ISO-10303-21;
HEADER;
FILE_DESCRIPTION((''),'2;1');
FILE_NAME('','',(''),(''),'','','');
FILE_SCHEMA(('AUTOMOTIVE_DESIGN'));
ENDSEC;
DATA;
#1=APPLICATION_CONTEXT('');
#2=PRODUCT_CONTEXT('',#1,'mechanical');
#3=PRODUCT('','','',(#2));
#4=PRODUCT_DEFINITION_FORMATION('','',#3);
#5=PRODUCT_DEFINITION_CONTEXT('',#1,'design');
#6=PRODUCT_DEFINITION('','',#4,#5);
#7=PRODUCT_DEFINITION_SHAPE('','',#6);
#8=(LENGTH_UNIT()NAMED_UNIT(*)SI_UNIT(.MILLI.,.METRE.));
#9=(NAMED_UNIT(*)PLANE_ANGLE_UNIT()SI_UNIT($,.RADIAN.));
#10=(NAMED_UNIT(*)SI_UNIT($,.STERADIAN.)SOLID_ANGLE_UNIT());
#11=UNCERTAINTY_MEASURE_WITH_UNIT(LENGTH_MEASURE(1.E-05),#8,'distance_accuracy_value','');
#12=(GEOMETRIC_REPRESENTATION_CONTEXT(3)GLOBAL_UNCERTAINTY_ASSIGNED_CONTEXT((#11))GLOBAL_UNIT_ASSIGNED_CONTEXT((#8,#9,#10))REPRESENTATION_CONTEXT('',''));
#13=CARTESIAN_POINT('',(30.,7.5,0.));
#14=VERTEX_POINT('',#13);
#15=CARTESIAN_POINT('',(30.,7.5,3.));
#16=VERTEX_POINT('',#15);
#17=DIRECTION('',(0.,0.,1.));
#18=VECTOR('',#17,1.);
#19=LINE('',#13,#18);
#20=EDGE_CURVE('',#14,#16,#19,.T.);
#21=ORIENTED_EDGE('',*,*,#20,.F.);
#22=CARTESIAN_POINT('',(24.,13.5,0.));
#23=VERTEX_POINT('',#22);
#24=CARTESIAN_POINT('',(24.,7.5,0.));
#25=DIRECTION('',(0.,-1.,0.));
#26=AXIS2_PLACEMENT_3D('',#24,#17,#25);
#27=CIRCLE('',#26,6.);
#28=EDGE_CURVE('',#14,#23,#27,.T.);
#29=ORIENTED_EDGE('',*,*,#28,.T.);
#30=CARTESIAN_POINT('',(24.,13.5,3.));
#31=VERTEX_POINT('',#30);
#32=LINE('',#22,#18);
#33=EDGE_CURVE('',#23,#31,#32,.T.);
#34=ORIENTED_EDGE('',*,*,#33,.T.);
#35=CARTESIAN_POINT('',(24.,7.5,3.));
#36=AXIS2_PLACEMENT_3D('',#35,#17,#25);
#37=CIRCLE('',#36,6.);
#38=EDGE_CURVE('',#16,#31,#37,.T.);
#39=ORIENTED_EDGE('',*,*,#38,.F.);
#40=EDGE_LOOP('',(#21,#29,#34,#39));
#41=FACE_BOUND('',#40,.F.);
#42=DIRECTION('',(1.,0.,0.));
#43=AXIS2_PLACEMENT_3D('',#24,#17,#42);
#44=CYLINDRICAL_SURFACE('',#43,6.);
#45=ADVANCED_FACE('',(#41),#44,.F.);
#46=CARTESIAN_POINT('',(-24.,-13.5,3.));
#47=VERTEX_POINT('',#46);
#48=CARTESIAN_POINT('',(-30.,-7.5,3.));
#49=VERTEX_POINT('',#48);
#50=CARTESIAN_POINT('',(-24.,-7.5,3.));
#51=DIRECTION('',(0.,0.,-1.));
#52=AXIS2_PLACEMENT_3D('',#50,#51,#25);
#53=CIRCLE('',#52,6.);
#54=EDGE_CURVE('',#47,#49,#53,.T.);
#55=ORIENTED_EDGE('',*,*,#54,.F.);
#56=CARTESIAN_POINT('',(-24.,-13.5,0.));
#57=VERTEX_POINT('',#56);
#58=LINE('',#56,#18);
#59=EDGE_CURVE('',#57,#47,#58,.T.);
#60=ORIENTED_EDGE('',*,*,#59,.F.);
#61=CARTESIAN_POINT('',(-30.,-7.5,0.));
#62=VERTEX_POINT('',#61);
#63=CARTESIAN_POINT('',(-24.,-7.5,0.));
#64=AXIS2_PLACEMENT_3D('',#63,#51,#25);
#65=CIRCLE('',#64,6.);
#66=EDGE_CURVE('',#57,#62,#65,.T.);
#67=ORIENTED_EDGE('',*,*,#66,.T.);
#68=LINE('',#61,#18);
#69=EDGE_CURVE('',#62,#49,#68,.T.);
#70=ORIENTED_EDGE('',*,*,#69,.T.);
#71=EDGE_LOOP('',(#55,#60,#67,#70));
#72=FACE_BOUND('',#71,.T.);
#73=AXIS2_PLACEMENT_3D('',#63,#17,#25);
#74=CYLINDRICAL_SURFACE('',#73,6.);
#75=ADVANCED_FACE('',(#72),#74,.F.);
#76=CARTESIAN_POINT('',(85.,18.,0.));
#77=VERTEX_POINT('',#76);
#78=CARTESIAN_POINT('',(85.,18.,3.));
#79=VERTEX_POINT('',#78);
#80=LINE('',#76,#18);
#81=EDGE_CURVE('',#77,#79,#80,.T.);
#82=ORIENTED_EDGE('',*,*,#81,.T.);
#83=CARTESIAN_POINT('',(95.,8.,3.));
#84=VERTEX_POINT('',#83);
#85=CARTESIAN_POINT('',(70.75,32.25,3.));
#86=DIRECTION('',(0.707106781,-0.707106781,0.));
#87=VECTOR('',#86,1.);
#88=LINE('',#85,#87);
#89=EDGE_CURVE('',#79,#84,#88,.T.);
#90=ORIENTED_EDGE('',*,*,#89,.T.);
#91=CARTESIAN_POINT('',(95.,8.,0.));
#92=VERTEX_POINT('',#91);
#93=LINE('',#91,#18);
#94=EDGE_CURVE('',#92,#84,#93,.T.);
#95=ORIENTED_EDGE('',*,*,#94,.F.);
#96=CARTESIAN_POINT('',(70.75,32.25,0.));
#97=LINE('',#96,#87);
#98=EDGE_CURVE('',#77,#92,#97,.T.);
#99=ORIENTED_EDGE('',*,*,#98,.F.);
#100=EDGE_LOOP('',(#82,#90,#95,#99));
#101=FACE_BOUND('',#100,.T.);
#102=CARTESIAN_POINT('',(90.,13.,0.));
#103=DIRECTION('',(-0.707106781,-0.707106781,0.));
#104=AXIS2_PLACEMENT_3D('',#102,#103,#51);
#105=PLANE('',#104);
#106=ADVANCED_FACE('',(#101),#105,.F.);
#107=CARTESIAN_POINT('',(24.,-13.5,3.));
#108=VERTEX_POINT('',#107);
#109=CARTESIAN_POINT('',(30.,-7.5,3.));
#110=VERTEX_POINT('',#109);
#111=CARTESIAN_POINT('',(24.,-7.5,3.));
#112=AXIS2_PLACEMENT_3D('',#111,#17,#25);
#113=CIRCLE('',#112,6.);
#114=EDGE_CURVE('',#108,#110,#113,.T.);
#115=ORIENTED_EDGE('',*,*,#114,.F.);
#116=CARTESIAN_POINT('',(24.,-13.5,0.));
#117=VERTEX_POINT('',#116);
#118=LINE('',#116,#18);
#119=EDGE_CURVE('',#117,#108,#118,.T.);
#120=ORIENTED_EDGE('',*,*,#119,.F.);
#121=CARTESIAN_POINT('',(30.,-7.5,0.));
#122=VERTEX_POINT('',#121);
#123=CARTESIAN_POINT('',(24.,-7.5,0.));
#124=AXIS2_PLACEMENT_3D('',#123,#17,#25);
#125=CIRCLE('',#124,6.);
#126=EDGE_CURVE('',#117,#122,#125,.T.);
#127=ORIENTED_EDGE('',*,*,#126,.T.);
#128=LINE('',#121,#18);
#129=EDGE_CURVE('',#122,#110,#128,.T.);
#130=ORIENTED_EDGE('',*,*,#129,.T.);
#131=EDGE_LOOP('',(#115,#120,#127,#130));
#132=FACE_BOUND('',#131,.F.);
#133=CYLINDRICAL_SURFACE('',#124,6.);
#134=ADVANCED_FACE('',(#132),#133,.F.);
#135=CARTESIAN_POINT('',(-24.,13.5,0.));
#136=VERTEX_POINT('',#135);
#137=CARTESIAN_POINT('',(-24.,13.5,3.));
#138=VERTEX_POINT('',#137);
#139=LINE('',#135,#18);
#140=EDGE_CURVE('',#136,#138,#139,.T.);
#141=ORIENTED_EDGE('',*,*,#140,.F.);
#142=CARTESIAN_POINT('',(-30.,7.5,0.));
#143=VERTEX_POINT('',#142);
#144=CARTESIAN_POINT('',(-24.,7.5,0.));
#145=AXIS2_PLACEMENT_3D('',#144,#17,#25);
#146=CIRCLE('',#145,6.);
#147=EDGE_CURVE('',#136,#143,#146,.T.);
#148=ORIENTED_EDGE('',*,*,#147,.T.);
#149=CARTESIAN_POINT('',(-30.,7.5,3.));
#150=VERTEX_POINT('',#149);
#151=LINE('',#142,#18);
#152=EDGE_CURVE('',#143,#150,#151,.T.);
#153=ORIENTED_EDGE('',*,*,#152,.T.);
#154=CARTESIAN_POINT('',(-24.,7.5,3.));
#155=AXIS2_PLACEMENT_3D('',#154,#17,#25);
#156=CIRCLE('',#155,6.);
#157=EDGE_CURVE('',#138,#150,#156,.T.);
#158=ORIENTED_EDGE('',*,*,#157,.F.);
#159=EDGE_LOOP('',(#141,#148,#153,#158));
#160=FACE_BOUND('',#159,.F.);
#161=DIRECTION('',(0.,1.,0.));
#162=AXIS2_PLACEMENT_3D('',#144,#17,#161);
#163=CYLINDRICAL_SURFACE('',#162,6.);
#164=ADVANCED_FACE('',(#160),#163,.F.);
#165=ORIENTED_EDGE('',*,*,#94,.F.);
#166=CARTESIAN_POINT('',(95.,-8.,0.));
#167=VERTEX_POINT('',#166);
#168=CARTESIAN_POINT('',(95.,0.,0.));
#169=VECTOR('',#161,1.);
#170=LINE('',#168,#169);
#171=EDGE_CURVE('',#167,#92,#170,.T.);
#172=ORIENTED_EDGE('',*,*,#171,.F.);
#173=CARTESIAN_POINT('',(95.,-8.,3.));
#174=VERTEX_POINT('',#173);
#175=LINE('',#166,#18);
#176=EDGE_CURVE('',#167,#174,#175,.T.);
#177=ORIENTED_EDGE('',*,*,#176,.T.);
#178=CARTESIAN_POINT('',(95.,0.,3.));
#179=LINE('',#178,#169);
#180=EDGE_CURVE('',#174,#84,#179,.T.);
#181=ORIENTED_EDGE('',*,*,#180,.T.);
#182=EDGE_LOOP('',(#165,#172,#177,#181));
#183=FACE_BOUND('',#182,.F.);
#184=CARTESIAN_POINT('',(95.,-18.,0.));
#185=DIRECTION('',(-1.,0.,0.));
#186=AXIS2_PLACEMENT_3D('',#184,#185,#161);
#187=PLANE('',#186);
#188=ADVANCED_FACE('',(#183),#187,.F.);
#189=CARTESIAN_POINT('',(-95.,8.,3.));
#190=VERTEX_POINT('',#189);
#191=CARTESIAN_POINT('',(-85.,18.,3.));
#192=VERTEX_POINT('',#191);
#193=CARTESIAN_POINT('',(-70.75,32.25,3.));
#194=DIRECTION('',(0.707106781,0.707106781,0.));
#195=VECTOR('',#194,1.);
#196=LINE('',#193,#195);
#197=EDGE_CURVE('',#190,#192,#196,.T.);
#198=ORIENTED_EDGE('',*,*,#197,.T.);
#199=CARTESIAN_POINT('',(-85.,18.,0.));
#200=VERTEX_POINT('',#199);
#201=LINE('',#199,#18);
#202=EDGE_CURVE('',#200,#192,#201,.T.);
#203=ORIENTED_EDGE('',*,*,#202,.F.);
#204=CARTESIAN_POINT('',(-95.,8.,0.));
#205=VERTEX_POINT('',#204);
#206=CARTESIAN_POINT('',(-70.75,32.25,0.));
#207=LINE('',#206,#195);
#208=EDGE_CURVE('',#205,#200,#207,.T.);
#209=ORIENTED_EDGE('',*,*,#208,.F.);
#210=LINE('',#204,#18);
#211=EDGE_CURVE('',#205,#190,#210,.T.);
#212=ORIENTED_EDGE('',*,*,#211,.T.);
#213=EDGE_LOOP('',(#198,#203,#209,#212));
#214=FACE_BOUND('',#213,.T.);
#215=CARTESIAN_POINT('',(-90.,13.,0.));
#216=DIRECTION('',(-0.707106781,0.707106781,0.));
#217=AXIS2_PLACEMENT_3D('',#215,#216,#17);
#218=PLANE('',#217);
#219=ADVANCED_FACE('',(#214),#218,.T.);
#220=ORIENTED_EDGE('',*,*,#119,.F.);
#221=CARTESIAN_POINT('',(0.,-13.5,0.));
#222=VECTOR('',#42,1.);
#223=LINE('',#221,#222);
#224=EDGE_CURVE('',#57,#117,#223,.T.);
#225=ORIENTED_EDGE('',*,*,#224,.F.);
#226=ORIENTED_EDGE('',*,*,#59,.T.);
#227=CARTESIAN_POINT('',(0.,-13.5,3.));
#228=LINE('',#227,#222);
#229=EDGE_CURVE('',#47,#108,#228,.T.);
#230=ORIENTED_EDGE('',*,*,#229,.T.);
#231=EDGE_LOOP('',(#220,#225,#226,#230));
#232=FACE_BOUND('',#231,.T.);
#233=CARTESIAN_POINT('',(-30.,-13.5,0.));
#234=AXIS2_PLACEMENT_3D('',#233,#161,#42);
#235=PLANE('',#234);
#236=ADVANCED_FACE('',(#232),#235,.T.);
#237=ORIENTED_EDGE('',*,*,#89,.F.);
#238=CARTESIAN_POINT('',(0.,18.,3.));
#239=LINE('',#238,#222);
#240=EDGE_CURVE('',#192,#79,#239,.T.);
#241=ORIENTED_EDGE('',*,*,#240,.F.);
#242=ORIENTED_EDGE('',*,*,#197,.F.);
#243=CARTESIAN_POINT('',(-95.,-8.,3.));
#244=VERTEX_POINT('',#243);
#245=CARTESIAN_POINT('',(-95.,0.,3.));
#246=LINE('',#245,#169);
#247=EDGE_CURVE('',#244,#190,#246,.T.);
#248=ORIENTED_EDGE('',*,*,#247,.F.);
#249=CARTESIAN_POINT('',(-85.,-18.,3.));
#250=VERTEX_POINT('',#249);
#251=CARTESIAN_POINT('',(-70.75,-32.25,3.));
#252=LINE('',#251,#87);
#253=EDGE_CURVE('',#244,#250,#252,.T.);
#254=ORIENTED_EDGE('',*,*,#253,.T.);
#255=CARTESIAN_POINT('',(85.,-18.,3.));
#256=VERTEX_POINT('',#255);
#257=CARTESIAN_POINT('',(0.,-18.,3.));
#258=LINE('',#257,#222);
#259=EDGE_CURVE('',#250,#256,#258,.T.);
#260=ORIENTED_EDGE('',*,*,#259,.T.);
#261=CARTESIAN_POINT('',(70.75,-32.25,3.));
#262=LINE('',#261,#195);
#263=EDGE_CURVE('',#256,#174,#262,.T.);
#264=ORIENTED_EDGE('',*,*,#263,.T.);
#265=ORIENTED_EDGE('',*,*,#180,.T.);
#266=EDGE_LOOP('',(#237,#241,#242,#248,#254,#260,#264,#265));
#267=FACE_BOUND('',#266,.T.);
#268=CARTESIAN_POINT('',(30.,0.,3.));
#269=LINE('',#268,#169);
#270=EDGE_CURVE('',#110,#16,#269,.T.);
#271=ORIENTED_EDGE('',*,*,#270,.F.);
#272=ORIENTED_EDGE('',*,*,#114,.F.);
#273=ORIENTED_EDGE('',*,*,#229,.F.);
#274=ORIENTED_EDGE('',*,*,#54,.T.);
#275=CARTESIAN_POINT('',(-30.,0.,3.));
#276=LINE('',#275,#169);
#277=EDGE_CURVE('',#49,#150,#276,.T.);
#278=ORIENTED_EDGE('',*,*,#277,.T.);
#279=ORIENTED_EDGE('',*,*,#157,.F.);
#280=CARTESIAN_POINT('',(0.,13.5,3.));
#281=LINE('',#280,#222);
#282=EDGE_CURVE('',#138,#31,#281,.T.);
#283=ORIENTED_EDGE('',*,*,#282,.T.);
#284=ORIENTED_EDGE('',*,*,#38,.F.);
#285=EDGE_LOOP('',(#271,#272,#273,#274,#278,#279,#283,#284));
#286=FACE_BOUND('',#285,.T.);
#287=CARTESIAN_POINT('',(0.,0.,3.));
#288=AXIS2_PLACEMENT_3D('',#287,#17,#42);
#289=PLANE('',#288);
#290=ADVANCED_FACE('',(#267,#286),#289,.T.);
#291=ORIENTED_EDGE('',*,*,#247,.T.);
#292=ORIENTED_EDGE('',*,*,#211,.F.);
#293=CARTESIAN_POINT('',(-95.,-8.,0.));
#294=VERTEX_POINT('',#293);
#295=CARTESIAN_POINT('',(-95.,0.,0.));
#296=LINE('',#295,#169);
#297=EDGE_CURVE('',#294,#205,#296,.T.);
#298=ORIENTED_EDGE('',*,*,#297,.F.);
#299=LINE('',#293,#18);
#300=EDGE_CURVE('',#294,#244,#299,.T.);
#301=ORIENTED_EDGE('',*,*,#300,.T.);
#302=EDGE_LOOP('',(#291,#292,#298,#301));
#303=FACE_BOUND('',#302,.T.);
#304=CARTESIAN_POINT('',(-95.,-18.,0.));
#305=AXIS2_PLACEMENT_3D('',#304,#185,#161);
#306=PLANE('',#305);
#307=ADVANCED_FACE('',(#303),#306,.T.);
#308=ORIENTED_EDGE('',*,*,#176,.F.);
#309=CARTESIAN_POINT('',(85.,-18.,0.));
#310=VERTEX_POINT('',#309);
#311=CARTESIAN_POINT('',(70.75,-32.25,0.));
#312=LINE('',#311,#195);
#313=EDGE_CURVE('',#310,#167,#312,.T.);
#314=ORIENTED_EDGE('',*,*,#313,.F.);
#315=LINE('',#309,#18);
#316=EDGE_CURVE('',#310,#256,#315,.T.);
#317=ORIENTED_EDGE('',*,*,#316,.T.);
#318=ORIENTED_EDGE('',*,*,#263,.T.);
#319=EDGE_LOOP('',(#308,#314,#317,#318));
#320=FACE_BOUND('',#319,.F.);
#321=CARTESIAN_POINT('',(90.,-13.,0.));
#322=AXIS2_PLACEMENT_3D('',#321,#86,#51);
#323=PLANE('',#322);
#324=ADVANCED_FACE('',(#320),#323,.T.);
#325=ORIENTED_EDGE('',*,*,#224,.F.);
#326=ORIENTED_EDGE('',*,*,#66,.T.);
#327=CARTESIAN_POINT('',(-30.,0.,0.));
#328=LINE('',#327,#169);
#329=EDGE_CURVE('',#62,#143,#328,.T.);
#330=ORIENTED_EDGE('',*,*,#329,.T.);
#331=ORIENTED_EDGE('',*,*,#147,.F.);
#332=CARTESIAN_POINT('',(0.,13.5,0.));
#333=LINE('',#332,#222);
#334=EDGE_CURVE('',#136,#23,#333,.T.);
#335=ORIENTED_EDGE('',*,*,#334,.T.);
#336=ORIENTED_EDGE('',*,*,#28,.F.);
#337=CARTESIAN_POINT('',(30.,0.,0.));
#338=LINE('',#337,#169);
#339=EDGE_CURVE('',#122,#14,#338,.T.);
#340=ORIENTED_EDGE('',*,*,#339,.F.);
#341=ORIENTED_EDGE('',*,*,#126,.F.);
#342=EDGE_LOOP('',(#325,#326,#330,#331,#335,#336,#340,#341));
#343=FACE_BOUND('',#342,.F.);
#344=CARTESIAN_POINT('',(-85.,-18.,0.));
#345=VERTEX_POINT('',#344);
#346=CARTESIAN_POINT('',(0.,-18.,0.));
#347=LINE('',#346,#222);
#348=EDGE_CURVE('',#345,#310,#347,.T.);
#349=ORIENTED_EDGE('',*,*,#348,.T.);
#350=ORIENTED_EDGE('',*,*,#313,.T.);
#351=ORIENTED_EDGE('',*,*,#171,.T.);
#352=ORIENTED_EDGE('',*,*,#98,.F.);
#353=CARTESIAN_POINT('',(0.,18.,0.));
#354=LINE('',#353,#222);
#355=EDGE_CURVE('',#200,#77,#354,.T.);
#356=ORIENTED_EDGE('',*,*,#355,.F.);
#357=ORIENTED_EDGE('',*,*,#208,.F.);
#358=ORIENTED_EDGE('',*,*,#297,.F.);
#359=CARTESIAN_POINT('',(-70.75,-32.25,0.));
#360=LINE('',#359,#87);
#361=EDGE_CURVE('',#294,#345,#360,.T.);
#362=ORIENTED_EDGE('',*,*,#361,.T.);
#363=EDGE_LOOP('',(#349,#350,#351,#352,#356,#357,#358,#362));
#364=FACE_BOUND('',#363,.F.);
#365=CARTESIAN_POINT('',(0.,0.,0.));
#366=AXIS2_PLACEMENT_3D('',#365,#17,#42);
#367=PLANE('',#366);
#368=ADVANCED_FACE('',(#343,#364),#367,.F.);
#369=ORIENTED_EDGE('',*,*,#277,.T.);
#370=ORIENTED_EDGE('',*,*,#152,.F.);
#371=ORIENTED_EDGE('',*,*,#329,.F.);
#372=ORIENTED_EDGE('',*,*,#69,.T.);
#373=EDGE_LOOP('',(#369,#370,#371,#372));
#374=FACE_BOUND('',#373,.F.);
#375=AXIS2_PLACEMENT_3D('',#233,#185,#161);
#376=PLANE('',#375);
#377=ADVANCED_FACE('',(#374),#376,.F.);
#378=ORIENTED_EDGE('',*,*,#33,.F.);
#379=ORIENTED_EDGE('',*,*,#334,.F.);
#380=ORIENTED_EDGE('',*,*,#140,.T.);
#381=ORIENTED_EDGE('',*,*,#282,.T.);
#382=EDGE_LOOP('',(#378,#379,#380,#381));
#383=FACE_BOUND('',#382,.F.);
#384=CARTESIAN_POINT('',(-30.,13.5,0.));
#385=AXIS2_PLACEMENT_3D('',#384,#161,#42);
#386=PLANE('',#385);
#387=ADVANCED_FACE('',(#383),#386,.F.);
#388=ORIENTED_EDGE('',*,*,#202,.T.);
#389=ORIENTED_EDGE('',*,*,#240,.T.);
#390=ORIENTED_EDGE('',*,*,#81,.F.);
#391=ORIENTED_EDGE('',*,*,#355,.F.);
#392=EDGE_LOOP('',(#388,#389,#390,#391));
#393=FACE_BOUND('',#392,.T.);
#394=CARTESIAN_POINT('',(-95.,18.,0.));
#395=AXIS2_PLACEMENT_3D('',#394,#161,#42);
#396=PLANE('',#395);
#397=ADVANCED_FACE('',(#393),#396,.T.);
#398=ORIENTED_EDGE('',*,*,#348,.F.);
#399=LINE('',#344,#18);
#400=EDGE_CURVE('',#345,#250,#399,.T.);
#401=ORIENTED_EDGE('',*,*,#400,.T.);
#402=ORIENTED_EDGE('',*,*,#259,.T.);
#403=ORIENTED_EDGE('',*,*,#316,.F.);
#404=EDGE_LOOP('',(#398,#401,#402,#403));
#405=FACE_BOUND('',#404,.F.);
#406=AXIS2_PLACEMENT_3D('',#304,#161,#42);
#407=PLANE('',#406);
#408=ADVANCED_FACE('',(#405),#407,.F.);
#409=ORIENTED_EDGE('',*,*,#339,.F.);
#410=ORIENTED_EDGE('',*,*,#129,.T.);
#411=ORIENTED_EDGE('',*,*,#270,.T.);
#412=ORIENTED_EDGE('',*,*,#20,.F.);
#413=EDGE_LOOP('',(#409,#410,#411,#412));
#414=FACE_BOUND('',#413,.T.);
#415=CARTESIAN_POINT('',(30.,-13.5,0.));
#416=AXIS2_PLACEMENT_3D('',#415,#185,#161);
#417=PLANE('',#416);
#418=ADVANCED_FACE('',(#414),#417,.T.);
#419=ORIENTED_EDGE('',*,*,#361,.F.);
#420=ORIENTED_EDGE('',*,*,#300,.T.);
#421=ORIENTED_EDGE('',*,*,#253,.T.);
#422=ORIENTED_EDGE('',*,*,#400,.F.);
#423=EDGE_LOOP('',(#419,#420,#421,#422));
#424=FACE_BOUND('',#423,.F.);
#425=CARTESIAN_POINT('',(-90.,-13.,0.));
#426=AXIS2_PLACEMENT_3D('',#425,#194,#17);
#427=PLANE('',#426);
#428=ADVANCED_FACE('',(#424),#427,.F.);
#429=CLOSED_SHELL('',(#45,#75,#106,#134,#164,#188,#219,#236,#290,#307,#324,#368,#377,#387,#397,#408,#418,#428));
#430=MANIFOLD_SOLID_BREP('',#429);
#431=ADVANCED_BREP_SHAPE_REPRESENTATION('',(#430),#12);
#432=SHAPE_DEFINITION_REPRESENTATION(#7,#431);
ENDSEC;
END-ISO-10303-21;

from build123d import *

# Parameters (mm, degrees)
SKETCH_W     = 190
SKETCH_H     = 36
SKETCH_W_2   = 60
SKETCH_H_2   = 27
PAD_DEPTH    = 3
CHAMFER_SIZE = 10
FILLET_R     = 6


with BuildPart() as part:
    # Sketch → Pad (new body)
    with BuildSketch(Plane.XY):
        Rectangle(SKETCH_W, SKETCH_H)
        Rectangle(SKETCH_W_2, SKETCH_H_2, mode=Mode.SUBTRACT)
    extrude(amount=PAD_DEPTH)

    # Chamfer
    chamfer_edges = [part.edges().sort_by_distance(p)[0] for p in [
        (-95, -18, 1.5),
        (-95, 18, 1.5),
        (95, -18, 1.5),
        (95, 18, 1.5),
    ]]
    chamfer(chamfer_edges, length=CHAMFER_SIZE)

    # Fillet
    fillet_edges = [part.edges().sort_by_distance(p)[0] for p in [
        (-30, -13.5, 1.5),
        (-30, 13.5, 1.5),
        (30, 13.5, 1.5),
        (30, -13.5, 1.5),
    ]]
    fillet(fillet_edges, radius=FILLET_R)


solid = part.part
